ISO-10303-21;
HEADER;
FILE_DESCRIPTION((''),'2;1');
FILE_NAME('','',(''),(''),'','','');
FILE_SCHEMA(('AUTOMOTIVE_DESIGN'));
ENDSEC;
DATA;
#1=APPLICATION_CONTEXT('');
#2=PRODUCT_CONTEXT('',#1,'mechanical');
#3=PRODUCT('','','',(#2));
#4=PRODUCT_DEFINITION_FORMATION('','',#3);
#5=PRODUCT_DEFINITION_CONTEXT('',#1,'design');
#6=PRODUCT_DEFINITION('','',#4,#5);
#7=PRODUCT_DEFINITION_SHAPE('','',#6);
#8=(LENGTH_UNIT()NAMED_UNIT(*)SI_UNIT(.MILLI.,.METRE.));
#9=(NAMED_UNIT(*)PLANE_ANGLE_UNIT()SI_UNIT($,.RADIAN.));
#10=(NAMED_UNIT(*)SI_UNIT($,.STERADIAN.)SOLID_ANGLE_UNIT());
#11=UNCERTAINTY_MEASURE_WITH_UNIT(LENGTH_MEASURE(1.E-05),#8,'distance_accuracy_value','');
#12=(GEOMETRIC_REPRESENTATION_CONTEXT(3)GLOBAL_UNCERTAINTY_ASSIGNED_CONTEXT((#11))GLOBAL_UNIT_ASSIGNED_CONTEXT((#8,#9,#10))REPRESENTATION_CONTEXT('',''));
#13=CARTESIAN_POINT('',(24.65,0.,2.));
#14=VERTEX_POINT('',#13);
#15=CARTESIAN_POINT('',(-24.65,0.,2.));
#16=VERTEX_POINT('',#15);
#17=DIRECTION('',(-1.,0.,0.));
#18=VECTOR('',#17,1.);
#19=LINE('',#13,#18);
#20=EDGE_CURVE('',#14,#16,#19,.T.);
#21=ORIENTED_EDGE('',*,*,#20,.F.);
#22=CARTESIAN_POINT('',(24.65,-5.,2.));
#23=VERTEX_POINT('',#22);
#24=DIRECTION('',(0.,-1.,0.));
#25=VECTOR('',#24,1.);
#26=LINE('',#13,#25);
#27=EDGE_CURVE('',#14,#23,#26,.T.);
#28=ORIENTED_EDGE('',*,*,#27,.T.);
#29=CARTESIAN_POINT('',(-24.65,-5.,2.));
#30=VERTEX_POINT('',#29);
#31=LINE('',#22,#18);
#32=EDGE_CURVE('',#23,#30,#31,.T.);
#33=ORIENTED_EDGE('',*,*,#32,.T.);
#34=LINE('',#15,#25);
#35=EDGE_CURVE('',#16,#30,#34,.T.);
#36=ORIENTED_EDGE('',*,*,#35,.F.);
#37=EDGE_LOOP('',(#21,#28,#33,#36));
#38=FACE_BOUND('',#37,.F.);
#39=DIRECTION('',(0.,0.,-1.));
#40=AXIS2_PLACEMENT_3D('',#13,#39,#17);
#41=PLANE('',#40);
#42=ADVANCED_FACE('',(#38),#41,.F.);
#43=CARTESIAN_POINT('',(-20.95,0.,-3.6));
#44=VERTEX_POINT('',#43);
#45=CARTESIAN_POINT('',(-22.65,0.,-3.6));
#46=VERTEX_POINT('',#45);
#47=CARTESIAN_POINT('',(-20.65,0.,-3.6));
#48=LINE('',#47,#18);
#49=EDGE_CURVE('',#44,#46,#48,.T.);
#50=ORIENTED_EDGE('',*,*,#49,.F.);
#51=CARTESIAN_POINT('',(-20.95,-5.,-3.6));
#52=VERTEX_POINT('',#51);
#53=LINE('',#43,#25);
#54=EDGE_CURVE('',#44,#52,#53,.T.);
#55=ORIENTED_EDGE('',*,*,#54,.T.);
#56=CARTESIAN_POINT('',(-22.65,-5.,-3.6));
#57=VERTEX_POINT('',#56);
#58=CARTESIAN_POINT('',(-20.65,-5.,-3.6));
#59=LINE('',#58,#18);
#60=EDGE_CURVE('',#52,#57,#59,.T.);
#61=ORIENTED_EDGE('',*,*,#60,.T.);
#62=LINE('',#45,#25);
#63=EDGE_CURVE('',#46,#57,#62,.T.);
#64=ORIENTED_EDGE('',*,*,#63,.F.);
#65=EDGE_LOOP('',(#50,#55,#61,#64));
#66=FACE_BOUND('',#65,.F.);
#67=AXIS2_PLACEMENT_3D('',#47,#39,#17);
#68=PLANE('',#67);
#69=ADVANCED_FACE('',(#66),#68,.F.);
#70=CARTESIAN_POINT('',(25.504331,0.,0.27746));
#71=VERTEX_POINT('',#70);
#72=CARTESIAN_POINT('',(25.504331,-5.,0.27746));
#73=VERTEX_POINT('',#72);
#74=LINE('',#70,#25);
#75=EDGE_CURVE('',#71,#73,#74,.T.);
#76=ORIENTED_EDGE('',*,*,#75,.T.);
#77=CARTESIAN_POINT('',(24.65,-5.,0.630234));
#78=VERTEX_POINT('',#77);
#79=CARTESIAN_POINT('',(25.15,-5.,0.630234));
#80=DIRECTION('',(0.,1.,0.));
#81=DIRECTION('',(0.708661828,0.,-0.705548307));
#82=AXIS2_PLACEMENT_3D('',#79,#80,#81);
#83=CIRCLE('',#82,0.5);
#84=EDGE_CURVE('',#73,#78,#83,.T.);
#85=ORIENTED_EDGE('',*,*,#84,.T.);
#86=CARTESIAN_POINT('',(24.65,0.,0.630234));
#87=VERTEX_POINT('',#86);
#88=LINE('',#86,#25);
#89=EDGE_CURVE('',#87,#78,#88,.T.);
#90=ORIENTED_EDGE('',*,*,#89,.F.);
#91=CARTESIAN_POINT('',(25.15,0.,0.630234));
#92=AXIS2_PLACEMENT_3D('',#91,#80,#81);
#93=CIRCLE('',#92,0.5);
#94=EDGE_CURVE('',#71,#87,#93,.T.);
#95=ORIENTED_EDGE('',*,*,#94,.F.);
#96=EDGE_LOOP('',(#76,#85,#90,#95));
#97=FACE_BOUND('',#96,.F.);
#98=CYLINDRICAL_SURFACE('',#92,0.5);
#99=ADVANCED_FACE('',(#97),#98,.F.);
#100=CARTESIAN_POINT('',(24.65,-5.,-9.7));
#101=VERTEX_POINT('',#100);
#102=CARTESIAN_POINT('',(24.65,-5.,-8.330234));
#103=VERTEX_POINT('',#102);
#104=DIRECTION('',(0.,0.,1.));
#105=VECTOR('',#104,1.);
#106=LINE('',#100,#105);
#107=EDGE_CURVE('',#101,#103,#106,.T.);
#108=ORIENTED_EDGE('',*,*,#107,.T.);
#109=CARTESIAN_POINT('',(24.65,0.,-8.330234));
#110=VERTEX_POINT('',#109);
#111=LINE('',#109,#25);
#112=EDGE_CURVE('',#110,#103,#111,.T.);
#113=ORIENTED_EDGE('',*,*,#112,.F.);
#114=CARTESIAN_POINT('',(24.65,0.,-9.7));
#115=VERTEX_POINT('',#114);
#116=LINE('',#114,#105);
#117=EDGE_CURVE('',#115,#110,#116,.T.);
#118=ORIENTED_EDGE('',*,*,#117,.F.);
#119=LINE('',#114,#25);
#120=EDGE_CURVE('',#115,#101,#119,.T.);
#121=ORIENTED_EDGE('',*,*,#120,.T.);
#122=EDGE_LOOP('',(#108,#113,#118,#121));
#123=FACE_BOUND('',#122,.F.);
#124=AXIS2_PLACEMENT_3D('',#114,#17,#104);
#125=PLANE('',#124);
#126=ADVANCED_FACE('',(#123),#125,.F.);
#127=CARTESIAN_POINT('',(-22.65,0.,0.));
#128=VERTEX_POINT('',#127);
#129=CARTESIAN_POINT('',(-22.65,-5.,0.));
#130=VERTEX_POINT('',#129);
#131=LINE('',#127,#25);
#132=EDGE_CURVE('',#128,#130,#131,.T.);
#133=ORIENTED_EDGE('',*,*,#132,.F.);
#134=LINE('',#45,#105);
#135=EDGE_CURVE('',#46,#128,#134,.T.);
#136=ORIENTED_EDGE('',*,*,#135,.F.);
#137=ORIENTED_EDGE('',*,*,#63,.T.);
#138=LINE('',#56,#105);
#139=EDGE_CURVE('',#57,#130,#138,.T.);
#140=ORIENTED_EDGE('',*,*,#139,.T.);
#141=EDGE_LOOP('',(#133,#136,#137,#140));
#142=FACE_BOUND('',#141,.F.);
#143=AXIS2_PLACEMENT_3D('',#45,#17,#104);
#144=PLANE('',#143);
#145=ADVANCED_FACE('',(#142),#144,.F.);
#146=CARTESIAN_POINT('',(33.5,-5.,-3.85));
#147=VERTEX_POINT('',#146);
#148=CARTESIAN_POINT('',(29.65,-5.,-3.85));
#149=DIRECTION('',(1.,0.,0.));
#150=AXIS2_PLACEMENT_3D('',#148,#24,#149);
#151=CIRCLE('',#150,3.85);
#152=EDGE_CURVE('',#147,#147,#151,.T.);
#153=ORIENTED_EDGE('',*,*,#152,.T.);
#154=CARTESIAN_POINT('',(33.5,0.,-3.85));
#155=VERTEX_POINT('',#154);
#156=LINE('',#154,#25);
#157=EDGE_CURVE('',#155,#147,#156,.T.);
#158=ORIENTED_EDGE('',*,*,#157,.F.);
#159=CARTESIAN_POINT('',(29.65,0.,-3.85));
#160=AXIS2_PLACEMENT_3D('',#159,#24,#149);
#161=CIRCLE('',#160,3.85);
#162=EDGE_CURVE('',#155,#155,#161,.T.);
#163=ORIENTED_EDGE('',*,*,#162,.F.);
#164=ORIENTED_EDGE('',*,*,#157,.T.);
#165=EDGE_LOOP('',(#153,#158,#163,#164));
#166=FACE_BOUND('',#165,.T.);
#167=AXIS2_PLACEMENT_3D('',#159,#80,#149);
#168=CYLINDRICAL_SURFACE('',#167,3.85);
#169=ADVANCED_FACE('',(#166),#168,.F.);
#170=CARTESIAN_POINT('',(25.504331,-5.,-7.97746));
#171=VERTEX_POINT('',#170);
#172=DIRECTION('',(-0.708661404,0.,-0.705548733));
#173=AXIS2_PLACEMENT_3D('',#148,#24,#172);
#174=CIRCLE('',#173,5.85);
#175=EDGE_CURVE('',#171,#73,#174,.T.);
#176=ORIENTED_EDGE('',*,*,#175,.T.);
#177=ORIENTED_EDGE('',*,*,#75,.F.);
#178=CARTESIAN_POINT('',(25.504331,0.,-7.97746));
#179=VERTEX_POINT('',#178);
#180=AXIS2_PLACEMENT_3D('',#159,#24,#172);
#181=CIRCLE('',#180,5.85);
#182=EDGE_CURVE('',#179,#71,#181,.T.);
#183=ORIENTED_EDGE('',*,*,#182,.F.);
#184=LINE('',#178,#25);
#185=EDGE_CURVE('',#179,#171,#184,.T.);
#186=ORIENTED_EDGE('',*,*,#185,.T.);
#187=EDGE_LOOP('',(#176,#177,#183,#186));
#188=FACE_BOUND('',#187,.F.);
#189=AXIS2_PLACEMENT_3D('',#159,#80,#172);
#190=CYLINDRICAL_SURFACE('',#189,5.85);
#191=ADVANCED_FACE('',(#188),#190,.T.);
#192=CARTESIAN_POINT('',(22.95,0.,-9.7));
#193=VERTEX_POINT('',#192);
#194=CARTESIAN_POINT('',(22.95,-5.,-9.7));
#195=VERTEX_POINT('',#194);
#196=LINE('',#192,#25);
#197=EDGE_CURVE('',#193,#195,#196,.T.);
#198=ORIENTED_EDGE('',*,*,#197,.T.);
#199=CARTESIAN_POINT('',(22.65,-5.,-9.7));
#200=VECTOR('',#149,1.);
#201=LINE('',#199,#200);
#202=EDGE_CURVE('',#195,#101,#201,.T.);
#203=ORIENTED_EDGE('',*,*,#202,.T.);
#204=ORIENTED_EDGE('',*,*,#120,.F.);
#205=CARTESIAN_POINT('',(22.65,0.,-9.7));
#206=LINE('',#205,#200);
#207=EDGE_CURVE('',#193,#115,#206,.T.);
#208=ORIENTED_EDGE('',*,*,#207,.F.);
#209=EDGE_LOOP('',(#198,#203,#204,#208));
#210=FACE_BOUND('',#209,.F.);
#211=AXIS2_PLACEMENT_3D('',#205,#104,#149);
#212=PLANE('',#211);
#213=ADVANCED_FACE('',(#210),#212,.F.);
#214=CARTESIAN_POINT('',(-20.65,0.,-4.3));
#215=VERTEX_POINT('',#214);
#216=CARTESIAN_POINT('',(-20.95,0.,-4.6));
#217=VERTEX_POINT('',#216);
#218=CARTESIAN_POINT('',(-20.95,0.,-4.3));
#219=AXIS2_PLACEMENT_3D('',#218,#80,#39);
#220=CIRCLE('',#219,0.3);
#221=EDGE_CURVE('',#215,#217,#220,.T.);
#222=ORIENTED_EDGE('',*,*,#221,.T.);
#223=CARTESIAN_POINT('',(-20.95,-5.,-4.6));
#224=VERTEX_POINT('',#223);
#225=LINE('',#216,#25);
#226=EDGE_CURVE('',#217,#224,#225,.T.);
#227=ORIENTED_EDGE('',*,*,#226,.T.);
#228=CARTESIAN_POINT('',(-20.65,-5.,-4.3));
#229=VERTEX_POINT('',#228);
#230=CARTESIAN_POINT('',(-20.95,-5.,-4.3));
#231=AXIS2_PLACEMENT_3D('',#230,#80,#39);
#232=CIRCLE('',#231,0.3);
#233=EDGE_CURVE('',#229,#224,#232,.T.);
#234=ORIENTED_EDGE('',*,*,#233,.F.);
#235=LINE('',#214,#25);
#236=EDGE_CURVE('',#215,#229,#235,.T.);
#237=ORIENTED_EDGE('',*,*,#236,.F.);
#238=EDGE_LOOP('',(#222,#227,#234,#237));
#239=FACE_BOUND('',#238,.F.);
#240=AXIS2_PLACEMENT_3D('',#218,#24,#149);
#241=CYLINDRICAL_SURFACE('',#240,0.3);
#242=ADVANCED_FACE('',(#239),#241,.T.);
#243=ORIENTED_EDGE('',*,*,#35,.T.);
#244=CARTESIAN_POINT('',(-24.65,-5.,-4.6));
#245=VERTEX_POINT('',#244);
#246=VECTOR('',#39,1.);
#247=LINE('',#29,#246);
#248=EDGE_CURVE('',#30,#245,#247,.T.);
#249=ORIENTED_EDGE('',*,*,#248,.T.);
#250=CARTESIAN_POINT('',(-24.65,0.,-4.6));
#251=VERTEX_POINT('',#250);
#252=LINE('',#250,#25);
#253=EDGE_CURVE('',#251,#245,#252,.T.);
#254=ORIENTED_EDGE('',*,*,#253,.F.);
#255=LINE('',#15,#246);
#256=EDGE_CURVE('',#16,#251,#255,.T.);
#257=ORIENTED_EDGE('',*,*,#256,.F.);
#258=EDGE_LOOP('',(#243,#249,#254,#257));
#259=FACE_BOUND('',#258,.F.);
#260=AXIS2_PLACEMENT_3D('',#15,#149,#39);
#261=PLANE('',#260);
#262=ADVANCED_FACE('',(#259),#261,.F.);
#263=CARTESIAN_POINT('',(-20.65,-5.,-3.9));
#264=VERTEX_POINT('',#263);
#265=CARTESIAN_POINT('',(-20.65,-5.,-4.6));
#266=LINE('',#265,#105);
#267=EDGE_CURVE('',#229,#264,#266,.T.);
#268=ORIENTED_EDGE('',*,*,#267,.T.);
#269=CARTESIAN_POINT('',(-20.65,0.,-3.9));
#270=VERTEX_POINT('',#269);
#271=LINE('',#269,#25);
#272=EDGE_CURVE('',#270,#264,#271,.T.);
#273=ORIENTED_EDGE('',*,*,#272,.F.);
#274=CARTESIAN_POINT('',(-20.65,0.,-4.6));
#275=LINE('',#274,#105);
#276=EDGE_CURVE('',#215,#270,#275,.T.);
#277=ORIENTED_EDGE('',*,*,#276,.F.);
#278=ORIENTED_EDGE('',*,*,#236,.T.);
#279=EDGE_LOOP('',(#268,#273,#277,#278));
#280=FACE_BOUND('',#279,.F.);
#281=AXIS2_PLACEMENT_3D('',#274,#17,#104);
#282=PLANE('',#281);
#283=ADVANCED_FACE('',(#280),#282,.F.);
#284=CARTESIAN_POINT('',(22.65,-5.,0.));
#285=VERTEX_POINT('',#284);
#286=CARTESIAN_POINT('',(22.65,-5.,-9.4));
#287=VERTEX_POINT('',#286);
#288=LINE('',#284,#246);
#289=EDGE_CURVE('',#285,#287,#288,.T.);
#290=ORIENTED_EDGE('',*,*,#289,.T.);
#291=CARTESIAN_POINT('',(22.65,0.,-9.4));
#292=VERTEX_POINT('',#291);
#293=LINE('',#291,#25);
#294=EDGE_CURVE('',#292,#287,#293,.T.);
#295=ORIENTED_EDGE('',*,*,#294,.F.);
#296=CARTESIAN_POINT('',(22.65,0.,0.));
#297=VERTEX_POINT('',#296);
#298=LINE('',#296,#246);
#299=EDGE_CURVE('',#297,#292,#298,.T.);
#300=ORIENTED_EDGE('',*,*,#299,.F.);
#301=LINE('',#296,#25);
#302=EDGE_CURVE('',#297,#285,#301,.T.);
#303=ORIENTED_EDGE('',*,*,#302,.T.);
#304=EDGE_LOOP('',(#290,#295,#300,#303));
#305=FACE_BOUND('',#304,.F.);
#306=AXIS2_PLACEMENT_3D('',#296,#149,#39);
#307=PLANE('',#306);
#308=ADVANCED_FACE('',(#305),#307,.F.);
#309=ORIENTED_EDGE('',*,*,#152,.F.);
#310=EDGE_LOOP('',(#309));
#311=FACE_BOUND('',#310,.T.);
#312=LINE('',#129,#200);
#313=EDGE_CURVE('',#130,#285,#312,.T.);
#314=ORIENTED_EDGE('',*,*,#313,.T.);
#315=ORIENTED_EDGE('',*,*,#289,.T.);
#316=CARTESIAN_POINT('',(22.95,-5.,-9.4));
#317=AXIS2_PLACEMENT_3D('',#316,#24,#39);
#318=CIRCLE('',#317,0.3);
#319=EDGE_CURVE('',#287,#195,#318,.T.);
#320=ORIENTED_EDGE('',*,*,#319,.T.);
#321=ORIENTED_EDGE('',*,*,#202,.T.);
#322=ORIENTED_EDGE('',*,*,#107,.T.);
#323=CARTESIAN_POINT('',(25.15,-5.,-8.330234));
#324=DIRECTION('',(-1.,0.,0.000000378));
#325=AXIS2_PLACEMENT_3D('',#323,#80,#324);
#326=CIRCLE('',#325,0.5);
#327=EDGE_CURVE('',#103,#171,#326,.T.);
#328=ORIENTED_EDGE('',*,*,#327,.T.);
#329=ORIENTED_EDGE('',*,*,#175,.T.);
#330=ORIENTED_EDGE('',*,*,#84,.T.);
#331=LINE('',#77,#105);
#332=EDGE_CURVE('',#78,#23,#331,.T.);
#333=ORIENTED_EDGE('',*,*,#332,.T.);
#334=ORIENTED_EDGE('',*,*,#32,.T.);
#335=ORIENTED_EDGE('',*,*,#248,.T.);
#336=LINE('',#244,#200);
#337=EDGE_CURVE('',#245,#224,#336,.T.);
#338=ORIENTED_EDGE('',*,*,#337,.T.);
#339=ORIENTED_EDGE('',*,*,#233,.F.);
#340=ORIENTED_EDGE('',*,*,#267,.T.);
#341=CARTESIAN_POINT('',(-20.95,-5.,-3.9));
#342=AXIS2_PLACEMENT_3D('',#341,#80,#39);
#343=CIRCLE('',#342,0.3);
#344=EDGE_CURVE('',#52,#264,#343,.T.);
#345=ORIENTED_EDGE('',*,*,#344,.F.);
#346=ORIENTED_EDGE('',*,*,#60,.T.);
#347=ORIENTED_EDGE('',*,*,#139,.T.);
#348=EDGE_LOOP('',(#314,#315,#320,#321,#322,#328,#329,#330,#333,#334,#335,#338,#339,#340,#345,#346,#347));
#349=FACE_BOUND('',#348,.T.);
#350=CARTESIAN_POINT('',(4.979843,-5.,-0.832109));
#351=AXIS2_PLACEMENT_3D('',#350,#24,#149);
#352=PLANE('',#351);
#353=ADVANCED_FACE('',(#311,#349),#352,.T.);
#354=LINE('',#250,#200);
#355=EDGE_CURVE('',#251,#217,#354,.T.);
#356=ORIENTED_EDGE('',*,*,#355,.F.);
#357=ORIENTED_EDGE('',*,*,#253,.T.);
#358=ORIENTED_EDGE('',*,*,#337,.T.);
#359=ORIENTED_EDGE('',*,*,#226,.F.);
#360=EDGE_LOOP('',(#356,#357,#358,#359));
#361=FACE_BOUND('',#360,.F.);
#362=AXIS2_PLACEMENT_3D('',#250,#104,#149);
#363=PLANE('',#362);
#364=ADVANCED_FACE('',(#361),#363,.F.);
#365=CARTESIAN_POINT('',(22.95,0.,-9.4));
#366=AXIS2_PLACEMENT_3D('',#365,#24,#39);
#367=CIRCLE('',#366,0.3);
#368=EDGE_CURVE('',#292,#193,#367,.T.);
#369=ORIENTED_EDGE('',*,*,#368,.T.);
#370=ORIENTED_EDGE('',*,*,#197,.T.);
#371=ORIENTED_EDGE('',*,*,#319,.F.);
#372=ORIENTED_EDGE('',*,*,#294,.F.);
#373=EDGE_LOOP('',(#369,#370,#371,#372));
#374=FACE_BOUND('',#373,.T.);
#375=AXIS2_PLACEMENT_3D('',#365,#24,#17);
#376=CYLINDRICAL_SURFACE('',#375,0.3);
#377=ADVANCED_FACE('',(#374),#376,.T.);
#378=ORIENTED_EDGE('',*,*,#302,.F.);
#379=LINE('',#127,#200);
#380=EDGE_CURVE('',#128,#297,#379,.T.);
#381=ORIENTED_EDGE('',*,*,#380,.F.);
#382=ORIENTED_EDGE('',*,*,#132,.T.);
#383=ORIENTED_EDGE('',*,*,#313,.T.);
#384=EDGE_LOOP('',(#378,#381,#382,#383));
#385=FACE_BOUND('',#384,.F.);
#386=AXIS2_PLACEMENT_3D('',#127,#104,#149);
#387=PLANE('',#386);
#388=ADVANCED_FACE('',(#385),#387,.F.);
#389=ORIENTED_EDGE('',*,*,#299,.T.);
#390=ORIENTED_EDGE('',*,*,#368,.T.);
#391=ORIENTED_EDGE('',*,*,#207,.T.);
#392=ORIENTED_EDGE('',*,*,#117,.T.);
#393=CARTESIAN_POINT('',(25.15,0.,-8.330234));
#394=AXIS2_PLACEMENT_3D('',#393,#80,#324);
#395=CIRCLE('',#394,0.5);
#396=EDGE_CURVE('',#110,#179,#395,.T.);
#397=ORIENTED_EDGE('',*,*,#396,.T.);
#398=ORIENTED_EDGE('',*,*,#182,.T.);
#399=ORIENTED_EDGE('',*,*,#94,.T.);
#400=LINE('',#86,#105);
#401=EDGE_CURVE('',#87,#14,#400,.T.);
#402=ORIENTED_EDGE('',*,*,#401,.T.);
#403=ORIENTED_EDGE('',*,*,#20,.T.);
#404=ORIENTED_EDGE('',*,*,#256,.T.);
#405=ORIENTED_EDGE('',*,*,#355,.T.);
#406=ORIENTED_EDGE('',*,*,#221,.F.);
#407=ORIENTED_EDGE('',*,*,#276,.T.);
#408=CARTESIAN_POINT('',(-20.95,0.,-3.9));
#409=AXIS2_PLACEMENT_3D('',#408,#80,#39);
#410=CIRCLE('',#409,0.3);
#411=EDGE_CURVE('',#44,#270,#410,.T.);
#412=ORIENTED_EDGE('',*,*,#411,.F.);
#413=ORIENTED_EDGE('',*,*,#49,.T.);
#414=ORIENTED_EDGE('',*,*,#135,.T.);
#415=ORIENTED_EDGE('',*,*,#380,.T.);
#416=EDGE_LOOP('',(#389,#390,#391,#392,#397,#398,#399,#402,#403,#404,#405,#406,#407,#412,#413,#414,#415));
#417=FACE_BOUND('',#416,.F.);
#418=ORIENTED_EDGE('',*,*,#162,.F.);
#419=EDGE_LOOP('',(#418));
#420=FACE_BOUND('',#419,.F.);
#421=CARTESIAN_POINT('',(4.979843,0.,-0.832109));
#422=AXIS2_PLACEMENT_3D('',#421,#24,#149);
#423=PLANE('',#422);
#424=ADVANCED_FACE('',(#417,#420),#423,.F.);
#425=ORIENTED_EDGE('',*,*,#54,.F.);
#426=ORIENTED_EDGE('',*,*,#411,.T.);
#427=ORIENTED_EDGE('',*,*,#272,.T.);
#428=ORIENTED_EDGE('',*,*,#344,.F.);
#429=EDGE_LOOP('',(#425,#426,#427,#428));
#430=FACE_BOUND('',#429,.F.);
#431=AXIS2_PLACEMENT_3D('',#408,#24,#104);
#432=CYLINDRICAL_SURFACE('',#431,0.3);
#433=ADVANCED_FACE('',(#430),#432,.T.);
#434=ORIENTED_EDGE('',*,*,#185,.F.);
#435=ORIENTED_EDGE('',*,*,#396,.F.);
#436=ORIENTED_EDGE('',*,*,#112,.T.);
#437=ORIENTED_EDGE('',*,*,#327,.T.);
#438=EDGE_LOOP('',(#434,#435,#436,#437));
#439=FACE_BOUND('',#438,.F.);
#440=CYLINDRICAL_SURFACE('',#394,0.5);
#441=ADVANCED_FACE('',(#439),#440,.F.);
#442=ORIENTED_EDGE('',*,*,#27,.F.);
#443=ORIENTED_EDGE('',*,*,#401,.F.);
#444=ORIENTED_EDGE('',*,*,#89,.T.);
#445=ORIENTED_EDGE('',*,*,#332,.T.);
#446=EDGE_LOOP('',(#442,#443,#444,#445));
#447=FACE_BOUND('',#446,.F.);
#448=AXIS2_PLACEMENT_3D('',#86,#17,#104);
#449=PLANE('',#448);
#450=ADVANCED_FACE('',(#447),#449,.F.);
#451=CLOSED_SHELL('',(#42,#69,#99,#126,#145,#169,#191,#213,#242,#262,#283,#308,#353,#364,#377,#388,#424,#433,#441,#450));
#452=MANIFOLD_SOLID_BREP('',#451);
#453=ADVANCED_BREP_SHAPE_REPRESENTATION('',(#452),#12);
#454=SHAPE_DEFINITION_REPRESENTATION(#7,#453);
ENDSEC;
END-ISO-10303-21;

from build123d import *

# Parameters (mm, degrees)
F0_R     = 3.85
F1_DEPTH = 5
F2_R     = 0.3


with BuildPart() as f1:
    # F0 (on Front) → F1 (new body)
    with BuildSketch(Plane.XZ):
        with BuildLine():
            Line((-22.65, 0), (22.65, 0))
            Line((22.65, 0), (22.65, -9.7))
            Line((22.65, -9.7), (24.65, -9.7))
            Line((24.65, -9.7), (24.65, -8.330234))
            ThreePointArc((24.65, -8.330234), (24.959167, -7.868084), (25.504331, -7.97746))
            ThreePointArc((25.504331, -7.97746), (35.5, -3.85), (25.504331, 0.27746))
            ThreePointArc((25.504331, 0.27746), (24.959167, 0.168084), (24.65, 0.630234))
            Line((24.65, 0.630234), (24.65, 2))
            Line((24.65, 2), (-24.65, 2))
            Line((-24.65, 2), (-24.65, -3.472538))
            Line((-24.65, -3.472538), (-24.65, -4.6))
            Line((-24.65, -4.6), (-20.65, -4.6))
            Line((-20.65, -4.6), (-20.65, -3.6))
            Line((-20.65, -3.6), (-22.65, -3.6))
            Line((-22.65, -3.6), (-22.65, 0))
        make_face()
        with Locations((29.65, -3.85)):
            Circle(F0_R, mode=Mode.SUBTRACT)
    extrude(amount=F1_DEPTH)

    # F2
    f2_edges = [f1.edges().sort_by_distance(p)[0] for p in [
        (-20.65, -2.5, -3.6),
        (-20.65, -2.5, -4.6),
        (22.65, -2.5, -9.7),
    ]]
    fillet(f2_edges, radius=F2_R)


solid = f1.part
